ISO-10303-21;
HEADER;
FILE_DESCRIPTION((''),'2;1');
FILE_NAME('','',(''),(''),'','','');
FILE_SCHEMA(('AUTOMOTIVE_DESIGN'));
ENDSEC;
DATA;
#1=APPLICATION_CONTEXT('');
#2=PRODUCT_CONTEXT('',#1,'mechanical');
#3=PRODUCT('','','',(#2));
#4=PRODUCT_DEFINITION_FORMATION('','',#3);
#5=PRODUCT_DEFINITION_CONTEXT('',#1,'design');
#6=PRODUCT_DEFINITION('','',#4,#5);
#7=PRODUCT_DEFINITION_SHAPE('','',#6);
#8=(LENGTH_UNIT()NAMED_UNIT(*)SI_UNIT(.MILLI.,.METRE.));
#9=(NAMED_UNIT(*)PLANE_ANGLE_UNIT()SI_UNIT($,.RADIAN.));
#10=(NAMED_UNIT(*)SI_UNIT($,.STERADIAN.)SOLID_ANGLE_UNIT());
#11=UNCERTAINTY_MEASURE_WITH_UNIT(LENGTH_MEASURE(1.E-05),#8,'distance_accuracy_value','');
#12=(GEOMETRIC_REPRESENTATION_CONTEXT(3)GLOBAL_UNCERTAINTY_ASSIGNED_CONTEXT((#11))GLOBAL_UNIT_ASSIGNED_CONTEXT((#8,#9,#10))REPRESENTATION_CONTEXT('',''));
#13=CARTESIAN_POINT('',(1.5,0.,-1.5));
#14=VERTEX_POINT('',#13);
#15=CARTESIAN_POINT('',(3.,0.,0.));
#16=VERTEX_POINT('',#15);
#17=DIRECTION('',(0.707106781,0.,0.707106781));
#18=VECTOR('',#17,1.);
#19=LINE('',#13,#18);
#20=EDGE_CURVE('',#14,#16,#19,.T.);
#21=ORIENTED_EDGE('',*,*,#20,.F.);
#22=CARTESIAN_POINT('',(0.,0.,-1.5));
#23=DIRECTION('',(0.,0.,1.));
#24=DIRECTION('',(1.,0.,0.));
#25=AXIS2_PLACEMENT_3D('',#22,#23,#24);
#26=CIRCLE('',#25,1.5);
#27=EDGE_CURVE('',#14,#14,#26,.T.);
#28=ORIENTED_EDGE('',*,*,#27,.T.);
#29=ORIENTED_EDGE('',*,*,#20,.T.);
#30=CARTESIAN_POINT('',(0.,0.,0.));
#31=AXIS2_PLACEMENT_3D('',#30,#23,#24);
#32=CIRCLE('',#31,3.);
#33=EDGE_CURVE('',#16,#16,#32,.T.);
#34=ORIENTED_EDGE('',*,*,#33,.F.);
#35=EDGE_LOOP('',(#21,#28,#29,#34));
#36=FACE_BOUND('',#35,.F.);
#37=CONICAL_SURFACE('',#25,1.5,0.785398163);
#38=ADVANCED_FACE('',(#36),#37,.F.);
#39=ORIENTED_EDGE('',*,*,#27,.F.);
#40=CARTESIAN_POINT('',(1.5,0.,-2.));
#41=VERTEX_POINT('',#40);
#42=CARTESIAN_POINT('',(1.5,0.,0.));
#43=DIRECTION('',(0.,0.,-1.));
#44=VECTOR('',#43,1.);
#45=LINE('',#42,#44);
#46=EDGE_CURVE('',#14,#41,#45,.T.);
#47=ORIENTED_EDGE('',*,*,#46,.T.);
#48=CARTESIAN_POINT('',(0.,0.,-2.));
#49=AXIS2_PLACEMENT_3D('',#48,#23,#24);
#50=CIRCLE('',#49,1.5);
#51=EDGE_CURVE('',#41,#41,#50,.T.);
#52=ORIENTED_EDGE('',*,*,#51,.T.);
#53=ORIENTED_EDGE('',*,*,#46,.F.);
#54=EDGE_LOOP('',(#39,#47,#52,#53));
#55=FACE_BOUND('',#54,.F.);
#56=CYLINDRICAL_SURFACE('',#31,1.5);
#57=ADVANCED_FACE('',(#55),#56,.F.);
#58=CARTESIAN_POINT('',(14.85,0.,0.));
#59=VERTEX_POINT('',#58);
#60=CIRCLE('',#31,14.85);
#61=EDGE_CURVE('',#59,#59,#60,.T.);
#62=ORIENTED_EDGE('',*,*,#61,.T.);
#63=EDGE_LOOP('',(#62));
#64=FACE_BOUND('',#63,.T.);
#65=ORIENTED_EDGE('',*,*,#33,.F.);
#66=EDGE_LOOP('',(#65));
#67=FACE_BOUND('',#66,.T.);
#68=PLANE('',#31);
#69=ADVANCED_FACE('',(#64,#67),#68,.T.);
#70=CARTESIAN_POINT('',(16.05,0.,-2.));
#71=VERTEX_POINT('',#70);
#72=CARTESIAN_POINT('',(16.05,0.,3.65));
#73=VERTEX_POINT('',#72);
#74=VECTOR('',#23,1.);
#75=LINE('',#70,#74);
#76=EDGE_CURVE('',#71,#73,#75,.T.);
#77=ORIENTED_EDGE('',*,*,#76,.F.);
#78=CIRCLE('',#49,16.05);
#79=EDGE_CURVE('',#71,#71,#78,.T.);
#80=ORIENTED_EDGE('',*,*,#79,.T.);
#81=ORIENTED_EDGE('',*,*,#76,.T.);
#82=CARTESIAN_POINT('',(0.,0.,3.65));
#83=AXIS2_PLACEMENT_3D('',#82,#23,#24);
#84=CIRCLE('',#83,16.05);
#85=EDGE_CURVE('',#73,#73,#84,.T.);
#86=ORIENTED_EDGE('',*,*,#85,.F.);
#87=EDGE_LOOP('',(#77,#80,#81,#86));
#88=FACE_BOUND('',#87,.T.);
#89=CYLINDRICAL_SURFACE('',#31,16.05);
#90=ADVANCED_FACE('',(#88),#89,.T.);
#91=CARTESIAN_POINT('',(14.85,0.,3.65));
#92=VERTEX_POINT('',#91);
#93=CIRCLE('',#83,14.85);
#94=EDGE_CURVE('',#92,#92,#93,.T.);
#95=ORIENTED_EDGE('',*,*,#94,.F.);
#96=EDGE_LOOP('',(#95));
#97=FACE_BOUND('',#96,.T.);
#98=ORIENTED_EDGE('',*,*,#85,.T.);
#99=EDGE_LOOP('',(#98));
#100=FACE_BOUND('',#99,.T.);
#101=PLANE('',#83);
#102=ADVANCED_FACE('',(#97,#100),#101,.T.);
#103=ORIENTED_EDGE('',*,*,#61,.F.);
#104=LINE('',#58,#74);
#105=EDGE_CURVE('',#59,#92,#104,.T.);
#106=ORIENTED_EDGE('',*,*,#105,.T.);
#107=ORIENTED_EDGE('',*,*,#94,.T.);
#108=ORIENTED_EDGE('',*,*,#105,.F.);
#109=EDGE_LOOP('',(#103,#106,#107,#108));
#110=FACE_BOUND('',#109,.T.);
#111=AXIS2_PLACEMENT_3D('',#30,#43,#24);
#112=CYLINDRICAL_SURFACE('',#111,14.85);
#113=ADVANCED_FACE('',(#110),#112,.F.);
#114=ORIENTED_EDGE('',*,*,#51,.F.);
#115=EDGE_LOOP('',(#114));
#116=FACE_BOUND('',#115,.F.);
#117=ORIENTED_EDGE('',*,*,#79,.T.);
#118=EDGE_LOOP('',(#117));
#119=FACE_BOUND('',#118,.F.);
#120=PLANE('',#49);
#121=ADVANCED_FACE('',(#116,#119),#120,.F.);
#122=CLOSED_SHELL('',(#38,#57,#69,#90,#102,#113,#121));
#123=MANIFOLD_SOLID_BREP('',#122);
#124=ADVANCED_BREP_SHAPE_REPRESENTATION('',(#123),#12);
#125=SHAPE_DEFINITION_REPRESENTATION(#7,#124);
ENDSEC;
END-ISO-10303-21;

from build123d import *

# Parameters (mm, degrees)
F0_R     = 16.05
F0_R_2   = 14.85
F0_R_3   = 1.5
F1_DEPTH = 2
F2_DEPTH = 3.65
F3_SIZE  = 1.5


with BuildPart() as f1:
    # F0 (on Top) → F1 (new body)
    with BuildSketch(Plane.XY):
        Circle(F0_R)
        Circle(F0_R_2, mode=Mode.SUBTRACT)
        Circle(F0_R_2)
        Circle(F0_R_3, mode=Mode.SUBTRACT)
    extrude(amount=-F1_DEPTH)

    # F0 (on Top) → F2 (join)
    with BuildSketch(Plane.XY):
        Circle(F0_R)
        Circle(F0_R_2, mode=Mode.SUBTRACT)
    extrude(amount=F2_DEPTH)

    # F3
    f3_edges = [f1.edges().sort_by_distance(p)[0] for p in [
        (-1.5, 0, 0),
    ]]
    chamfer(f3_edges, length=F3_SIZE)


solid = f1.part
